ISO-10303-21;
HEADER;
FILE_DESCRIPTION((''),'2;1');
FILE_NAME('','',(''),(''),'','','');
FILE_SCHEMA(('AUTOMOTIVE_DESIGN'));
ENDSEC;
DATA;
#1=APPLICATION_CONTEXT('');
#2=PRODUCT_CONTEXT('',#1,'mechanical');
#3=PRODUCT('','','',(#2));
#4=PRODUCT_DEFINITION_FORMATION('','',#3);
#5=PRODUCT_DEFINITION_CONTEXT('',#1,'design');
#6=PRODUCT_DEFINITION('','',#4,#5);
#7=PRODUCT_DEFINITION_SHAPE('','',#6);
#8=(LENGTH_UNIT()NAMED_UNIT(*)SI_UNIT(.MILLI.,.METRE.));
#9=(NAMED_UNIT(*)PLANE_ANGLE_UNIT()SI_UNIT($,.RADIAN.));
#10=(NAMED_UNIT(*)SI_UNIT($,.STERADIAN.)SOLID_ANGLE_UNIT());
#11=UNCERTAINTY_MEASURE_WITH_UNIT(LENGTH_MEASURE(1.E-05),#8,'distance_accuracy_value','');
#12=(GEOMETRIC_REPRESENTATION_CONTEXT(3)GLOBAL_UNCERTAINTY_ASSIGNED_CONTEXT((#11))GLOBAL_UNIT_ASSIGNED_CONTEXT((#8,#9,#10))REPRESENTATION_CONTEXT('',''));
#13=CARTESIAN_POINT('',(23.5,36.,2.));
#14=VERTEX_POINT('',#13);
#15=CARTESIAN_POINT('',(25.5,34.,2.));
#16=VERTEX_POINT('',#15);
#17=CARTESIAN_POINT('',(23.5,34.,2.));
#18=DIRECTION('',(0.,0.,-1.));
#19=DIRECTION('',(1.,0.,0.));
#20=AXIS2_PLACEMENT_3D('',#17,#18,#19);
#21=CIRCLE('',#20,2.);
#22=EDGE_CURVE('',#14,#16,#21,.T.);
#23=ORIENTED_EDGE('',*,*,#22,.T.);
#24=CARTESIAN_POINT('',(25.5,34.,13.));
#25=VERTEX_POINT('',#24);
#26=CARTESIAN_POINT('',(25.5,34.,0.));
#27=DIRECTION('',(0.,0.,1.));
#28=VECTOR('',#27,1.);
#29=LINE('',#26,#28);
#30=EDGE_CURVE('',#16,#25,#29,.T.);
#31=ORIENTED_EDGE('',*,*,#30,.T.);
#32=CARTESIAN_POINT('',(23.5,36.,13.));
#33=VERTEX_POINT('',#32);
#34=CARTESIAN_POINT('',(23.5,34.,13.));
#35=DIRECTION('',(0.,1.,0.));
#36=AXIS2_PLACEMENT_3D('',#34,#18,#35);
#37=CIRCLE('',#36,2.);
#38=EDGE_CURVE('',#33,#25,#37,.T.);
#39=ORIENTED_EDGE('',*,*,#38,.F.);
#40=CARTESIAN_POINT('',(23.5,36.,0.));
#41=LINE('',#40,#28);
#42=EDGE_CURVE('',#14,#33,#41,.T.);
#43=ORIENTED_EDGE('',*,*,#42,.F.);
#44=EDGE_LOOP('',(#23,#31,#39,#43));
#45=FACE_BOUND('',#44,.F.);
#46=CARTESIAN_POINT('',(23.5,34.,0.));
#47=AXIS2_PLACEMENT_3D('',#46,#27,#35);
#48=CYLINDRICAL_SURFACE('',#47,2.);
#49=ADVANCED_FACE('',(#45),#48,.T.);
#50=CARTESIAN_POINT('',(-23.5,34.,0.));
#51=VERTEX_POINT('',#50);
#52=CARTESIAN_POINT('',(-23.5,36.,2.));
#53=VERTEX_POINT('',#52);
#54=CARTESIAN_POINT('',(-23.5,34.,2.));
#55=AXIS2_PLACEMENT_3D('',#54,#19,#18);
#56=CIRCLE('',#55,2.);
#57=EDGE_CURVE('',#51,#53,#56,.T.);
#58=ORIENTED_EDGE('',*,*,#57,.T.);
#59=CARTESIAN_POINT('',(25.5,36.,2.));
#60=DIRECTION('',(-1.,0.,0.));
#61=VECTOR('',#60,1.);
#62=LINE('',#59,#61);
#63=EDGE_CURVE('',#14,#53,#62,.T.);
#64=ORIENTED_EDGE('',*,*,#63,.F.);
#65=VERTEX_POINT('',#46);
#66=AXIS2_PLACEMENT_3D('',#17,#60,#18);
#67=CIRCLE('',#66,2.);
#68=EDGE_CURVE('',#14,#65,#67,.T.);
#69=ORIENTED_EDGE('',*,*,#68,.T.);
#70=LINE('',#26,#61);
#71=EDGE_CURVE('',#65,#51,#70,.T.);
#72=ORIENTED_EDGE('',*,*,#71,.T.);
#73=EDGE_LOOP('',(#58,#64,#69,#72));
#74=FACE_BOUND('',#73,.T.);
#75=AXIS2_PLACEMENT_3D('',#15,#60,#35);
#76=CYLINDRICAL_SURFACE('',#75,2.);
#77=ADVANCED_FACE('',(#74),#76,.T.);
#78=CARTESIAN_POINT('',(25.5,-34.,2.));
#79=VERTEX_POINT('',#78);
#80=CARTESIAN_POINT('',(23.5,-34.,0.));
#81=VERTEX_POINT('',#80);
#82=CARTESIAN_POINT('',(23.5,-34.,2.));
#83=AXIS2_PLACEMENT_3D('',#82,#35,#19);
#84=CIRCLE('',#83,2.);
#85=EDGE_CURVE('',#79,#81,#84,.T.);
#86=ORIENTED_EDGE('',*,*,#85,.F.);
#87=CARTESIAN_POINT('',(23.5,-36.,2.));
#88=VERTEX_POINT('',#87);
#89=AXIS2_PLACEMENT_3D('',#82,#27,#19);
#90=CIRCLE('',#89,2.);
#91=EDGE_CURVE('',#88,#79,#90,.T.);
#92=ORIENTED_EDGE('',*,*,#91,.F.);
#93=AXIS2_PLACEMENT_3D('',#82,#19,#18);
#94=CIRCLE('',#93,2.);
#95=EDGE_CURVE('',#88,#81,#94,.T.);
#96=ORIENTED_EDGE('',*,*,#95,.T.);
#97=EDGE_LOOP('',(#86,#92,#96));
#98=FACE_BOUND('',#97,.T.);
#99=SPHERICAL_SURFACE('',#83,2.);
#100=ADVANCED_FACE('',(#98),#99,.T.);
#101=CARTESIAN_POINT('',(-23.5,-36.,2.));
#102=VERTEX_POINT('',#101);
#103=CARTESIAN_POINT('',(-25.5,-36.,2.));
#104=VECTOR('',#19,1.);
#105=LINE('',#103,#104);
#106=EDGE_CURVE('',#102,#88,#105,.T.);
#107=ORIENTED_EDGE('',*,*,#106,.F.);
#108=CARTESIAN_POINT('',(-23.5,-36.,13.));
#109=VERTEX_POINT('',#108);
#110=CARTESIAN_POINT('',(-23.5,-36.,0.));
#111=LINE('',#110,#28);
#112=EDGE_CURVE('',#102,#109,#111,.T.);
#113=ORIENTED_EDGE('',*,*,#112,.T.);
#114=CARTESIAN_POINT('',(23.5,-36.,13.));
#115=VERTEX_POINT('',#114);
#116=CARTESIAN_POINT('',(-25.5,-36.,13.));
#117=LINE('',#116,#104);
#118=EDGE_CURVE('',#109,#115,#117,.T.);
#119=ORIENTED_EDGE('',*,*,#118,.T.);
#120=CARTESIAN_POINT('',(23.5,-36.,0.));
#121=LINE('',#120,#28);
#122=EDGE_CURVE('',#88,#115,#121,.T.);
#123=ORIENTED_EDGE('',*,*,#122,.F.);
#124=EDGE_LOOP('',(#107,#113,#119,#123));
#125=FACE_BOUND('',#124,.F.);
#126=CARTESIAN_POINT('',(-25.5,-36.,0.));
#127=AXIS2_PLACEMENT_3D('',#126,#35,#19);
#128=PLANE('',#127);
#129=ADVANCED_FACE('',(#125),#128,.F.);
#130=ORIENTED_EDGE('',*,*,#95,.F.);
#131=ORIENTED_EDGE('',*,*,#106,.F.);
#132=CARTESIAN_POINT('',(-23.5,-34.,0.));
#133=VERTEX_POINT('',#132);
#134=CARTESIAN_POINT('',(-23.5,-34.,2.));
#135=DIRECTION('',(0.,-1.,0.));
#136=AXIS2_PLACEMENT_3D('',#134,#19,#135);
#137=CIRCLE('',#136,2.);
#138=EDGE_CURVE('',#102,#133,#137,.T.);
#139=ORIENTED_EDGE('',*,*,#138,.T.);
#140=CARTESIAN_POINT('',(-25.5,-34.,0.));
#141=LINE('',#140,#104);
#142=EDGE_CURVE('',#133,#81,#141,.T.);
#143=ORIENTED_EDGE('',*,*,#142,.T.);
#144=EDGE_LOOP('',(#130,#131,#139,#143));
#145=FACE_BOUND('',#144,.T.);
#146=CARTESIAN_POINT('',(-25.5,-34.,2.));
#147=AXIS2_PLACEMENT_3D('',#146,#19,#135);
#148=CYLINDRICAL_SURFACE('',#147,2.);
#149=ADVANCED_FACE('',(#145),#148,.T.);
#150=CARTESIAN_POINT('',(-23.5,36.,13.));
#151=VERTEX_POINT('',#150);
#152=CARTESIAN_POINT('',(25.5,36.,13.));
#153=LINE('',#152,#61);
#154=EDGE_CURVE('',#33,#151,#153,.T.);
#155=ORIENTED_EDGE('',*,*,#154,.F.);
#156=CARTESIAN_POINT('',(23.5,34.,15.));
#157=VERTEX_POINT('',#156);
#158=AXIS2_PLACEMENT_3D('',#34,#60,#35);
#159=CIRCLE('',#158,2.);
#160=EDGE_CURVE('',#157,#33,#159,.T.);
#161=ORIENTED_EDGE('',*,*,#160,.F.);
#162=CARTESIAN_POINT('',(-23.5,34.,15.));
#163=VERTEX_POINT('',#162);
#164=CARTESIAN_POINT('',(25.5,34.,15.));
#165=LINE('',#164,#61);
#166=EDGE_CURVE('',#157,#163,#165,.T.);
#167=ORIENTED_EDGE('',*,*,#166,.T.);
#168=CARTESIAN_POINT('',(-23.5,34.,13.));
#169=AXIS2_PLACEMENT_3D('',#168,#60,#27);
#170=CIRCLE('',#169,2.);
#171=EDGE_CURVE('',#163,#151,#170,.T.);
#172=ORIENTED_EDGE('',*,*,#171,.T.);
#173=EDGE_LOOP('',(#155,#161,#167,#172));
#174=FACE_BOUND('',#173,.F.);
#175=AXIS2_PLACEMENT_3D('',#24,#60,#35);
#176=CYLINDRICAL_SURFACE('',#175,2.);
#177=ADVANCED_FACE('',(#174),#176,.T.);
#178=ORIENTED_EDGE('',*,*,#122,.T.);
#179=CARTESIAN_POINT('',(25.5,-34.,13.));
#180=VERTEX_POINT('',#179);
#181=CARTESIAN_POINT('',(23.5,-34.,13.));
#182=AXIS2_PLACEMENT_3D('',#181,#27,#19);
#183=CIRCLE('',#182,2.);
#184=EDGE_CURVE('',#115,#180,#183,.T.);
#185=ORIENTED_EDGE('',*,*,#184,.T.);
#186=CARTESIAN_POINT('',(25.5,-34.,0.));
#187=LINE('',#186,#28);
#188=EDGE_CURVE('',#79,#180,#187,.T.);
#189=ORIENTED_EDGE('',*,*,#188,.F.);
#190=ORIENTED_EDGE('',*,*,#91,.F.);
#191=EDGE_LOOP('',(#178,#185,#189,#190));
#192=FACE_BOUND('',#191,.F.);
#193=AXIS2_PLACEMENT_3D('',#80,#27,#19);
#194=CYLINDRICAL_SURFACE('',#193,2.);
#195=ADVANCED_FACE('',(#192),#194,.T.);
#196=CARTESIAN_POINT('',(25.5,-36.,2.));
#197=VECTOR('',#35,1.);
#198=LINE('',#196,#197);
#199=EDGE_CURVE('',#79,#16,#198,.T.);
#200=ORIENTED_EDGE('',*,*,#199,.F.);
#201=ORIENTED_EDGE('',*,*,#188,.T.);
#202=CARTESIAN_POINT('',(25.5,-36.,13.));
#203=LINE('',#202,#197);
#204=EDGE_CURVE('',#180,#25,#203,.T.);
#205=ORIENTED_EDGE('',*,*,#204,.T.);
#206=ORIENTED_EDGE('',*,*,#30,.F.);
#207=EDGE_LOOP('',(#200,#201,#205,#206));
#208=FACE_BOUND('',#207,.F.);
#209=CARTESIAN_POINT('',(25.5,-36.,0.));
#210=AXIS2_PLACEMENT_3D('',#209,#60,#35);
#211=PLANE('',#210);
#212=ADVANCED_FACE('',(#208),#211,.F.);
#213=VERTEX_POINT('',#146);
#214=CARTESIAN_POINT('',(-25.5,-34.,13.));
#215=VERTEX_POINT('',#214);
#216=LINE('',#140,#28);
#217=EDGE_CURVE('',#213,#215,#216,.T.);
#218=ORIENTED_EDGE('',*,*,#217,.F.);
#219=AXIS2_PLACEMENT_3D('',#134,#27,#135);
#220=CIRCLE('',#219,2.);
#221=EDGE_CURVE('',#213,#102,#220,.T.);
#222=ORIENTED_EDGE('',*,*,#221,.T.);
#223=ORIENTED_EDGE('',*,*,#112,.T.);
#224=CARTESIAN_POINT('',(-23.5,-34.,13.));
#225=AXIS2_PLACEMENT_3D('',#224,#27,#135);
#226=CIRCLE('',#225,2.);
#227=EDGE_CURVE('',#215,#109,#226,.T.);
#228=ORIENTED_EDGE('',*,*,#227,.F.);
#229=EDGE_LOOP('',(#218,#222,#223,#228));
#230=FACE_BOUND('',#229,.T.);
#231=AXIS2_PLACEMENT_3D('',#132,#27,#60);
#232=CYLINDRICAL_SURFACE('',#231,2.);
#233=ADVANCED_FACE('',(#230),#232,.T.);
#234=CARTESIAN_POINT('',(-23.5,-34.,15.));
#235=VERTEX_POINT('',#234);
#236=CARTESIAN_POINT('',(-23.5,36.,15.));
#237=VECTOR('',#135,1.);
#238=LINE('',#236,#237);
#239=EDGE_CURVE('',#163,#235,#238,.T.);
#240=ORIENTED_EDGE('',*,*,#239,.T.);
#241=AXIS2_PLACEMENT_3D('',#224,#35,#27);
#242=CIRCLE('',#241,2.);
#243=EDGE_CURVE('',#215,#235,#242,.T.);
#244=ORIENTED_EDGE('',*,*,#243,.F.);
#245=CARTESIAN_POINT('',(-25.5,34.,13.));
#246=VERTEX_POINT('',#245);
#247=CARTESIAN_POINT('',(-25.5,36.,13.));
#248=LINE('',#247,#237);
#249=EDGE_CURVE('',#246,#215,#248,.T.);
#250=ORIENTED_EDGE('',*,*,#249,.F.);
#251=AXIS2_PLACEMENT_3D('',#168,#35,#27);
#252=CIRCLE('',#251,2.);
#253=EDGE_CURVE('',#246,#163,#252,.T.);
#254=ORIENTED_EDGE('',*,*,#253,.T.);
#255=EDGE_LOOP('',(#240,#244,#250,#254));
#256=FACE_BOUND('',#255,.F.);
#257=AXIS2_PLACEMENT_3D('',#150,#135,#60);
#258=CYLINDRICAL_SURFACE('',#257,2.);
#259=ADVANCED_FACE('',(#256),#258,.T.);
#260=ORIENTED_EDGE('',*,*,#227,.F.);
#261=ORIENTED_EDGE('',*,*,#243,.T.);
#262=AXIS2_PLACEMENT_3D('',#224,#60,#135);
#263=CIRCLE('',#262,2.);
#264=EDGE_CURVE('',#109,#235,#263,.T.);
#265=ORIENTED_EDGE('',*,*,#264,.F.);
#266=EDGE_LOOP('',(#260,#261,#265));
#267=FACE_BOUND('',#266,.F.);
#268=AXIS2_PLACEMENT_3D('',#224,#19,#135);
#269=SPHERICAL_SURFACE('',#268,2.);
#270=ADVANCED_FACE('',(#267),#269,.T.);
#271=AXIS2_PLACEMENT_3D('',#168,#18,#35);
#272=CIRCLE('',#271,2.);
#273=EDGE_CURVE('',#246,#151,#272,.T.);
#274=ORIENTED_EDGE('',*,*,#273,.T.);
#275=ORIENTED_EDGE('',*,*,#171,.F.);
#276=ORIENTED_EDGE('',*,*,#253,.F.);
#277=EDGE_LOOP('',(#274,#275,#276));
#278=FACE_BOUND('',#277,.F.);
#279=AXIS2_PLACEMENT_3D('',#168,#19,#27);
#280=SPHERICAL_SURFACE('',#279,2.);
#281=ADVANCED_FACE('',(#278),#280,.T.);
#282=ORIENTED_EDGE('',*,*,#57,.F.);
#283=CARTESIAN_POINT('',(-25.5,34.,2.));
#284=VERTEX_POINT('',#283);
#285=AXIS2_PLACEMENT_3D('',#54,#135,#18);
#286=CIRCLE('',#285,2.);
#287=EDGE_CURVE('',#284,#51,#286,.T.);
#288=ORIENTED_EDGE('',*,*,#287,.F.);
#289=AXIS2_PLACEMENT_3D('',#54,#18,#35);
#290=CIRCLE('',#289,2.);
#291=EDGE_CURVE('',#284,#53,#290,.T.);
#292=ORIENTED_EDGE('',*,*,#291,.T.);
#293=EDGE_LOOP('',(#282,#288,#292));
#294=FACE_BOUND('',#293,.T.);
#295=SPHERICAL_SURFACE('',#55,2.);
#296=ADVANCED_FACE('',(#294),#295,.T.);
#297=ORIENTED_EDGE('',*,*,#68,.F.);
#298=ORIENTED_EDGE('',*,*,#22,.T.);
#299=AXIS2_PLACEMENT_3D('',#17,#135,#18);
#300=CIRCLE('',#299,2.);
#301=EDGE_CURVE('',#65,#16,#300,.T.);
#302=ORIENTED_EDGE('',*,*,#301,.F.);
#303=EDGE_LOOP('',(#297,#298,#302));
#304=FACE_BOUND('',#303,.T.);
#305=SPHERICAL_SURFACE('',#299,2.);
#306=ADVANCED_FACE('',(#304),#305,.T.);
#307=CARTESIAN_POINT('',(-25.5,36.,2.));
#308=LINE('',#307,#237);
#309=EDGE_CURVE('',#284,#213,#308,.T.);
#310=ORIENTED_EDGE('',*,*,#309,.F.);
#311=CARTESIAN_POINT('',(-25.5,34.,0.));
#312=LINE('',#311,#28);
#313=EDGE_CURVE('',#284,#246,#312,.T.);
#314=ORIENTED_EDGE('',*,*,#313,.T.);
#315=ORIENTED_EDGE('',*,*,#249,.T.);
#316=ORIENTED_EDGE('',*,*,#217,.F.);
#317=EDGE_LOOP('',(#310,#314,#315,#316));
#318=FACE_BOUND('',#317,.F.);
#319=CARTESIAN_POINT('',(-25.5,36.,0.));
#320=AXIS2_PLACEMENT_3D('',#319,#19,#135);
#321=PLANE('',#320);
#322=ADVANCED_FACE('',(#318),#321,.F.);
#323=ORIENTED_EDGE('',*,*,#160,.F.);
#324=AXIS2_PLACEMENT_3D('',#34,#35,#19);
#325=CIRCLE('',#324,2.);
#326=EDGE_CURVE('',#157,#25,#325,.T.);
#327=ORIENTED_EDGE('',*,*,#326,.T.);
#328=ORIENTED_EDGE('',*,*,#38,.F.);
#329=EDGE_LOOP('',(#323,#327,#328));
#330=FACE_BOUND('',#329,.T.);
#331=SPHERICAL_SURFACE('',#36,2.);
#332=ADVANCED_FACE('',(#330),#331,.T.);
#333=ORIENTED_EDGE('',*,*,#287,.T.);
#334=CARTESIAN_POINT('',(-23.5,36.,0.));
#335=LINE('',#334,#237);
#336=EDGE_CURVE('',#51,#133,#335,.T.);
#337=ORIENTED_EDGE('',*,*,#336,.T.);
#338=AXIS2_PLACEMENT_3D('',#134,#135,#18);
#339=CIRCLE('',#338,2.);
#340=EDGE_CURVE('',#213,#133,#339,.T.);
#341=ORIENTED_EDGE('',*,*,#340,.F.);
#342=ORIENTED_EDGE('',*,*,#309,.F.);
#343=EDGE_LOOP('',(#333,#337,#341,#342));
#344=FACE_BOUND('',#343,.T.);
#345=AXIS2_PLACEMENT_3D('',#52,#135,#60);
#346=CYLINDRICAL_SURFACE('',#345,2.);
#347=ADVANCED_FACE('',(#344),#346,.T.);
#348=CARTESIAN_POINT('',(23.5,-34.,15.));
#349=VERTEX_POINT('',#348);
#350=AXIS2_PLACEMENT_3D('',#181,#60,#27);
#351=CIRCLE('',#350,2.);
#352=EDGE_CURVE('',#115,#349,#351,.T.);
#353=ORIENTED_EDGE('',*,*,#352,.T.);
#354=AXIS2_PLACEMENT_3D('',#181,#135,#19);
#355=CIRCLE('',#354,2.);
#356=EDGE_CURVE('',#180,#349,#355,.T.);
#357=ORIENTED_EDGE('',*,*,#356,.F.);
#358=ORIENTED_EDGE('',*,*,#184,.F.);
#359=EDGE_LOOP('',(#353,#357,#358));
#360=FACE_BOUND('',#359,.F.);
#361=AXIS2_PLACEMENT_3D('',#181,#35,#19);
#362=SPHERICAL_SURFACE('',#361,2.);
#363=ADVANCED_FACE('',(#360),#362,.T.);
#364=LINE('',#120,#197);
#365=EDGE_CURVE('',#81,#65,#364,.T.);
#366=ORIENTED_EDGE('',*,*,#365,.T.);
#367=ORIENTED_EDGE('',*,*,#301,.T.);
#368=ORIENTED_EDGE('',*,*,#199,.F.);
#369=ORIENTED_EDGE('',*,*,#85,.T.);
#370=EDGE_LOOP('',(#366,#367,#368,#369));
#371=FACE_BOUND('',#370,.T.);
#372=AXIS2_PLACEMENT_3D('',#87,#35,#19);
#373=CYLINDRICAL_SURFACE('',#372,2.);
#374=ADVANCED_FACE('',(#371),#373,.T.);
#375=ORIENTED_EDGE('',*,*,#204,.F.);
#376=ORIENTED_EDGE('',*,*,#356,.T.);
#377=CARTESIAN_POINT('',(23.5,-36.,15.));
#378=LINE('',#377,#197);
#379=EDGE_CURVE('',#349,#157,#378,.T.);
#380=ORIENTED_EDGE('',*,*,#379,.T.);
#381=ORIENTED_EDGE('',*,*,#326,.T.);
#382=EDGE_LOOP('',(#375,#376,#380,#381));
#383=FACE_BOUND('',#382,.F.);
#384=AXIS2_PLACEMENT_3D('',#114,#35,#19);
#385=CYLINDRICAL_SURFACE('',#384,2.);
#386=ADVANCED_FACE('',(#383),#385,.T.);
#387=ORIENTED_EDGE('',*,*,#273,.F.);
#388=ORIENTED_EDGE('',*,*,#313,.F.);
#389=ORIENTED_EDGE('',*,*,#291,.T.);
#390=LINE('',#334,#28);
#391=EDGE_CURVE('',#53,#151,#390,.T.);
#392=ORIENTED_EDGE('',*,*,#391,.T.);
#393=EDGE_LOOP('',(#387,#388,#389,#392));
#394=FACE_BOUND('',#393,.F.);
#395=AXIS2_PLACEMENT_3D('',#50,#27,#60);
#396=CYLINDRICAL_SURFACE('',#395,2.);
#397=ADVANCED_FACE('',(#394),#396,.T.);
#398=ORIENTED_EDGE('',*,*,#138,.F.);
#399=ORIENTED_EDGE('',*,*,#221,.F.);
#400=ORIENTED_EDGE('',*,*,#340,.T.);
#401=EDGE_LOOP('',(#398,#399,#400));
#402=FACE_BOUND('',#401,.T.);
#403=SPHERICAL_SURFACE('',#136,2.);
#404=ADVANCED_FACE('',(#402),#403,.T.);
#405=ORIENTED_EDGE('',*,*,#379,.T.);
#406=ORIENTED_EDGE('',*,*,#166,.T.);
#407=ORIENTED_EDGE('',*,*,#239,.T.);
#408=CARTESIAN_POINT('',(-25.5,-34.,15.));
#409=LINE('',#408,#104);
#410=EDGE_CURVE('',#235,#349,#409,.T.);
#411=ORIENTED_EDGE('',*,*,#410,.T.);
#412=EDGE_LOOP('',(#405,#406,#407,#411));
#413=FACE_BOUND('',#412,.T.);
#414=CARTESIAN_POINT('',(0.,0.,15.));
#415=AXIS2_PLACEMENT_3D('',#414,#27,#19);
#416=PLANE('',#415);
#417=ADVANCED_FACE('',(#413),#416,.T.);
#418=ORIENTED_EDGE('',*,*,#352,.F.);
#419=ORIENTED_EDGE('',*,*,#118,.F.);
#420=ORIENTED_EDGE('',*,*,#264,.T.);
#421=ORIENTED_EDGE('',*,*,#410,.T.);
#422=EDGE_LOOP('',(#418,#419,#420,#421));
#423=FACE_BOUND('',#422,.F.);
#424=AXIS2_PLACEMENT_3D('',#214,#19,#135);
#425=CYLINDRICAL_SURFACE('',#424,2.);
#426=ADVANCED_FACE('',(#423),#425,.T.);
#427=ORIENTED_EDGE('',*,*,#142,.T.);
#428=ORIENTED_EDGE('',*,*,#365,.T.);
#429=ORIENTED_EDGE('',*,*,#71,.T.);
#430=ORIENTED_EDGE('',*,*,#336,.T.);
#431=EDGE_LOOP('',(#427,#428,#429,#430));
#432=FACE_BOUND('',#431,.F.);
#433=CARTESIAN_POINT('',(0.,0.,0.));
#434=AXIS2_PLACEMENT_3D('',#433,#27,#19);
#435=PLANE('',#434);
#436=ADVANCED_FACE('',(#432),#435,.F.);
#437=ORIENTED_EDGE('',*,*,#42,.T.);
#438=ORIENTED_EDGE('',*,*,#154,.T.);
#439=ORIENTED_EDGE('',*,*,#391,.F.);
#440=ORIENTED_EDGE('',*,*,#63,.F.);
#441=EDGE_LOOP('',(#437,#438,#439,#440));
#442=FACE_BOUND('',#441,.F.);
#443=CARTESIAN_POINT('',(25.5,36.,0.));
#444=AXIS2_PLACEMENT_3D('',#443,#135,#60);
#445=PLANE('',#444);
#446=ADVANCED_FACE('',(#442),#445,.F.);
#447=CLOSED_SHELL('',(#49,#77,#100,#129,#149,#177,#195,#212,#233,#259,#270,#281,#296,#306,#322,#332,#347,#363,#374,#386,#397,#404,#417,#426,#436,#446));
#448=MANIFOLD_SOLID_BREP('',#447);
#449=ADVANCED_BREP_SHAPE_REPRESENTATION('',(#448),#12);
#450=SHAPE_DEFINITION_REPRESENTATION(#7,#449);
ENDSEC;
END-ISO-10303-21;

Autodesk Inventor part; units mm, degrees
ref_plane "YZ Plane" through (0, 0, 0) normal (1, 0, 0) x (0, 1, 0)
ref_plane "XZ Plane" through (0, 0, 0) normal (0, 1, 0) x (-1, 0, 0)
ref_plane "XY Plane" through (0, 0, 0) normal (0, 0, 1) x (1, 0, 0)
sketch "Sketch1" plane through (0, 0, 0) normal (0, 0, 1) x (1, 0, 0)
  line L0 (-25.5, -36) -> (25.5, -36)
  line L1 (25.5, -36) -> (25.5, 36)
  line L2 (25.5, 36) -> (-25.5, 36)
  line L3 (-25.5, 36) -> (-25.5, -36)
  line L4 (-25.5, -36) -> (25.5, 36) construction
  line L5 (25.5, -36) -> (-25.5, 36) construction
  point P0 (0, 0)
  dimension "d0" = 51
  dimension "d1" = 72
extrude "Extrusion1" add sketch "Sketch1" along normal blind 15
fillet "Fillet1" radius 2 12 edges at (25.5, 0, 0) (0, 36, 0) (25.5, 36, 7.5) (0, 36, 15) (25.5, 0, 15) (25.5, -36, 7.5) (0, -36, 15) (0, -36, 0) (-25.5, -36, 7.5) (-25.5, 0, 15) (-25.5, 0, 0) (-25.5, 36, 7.5)
properties part number "ServoBattery"
